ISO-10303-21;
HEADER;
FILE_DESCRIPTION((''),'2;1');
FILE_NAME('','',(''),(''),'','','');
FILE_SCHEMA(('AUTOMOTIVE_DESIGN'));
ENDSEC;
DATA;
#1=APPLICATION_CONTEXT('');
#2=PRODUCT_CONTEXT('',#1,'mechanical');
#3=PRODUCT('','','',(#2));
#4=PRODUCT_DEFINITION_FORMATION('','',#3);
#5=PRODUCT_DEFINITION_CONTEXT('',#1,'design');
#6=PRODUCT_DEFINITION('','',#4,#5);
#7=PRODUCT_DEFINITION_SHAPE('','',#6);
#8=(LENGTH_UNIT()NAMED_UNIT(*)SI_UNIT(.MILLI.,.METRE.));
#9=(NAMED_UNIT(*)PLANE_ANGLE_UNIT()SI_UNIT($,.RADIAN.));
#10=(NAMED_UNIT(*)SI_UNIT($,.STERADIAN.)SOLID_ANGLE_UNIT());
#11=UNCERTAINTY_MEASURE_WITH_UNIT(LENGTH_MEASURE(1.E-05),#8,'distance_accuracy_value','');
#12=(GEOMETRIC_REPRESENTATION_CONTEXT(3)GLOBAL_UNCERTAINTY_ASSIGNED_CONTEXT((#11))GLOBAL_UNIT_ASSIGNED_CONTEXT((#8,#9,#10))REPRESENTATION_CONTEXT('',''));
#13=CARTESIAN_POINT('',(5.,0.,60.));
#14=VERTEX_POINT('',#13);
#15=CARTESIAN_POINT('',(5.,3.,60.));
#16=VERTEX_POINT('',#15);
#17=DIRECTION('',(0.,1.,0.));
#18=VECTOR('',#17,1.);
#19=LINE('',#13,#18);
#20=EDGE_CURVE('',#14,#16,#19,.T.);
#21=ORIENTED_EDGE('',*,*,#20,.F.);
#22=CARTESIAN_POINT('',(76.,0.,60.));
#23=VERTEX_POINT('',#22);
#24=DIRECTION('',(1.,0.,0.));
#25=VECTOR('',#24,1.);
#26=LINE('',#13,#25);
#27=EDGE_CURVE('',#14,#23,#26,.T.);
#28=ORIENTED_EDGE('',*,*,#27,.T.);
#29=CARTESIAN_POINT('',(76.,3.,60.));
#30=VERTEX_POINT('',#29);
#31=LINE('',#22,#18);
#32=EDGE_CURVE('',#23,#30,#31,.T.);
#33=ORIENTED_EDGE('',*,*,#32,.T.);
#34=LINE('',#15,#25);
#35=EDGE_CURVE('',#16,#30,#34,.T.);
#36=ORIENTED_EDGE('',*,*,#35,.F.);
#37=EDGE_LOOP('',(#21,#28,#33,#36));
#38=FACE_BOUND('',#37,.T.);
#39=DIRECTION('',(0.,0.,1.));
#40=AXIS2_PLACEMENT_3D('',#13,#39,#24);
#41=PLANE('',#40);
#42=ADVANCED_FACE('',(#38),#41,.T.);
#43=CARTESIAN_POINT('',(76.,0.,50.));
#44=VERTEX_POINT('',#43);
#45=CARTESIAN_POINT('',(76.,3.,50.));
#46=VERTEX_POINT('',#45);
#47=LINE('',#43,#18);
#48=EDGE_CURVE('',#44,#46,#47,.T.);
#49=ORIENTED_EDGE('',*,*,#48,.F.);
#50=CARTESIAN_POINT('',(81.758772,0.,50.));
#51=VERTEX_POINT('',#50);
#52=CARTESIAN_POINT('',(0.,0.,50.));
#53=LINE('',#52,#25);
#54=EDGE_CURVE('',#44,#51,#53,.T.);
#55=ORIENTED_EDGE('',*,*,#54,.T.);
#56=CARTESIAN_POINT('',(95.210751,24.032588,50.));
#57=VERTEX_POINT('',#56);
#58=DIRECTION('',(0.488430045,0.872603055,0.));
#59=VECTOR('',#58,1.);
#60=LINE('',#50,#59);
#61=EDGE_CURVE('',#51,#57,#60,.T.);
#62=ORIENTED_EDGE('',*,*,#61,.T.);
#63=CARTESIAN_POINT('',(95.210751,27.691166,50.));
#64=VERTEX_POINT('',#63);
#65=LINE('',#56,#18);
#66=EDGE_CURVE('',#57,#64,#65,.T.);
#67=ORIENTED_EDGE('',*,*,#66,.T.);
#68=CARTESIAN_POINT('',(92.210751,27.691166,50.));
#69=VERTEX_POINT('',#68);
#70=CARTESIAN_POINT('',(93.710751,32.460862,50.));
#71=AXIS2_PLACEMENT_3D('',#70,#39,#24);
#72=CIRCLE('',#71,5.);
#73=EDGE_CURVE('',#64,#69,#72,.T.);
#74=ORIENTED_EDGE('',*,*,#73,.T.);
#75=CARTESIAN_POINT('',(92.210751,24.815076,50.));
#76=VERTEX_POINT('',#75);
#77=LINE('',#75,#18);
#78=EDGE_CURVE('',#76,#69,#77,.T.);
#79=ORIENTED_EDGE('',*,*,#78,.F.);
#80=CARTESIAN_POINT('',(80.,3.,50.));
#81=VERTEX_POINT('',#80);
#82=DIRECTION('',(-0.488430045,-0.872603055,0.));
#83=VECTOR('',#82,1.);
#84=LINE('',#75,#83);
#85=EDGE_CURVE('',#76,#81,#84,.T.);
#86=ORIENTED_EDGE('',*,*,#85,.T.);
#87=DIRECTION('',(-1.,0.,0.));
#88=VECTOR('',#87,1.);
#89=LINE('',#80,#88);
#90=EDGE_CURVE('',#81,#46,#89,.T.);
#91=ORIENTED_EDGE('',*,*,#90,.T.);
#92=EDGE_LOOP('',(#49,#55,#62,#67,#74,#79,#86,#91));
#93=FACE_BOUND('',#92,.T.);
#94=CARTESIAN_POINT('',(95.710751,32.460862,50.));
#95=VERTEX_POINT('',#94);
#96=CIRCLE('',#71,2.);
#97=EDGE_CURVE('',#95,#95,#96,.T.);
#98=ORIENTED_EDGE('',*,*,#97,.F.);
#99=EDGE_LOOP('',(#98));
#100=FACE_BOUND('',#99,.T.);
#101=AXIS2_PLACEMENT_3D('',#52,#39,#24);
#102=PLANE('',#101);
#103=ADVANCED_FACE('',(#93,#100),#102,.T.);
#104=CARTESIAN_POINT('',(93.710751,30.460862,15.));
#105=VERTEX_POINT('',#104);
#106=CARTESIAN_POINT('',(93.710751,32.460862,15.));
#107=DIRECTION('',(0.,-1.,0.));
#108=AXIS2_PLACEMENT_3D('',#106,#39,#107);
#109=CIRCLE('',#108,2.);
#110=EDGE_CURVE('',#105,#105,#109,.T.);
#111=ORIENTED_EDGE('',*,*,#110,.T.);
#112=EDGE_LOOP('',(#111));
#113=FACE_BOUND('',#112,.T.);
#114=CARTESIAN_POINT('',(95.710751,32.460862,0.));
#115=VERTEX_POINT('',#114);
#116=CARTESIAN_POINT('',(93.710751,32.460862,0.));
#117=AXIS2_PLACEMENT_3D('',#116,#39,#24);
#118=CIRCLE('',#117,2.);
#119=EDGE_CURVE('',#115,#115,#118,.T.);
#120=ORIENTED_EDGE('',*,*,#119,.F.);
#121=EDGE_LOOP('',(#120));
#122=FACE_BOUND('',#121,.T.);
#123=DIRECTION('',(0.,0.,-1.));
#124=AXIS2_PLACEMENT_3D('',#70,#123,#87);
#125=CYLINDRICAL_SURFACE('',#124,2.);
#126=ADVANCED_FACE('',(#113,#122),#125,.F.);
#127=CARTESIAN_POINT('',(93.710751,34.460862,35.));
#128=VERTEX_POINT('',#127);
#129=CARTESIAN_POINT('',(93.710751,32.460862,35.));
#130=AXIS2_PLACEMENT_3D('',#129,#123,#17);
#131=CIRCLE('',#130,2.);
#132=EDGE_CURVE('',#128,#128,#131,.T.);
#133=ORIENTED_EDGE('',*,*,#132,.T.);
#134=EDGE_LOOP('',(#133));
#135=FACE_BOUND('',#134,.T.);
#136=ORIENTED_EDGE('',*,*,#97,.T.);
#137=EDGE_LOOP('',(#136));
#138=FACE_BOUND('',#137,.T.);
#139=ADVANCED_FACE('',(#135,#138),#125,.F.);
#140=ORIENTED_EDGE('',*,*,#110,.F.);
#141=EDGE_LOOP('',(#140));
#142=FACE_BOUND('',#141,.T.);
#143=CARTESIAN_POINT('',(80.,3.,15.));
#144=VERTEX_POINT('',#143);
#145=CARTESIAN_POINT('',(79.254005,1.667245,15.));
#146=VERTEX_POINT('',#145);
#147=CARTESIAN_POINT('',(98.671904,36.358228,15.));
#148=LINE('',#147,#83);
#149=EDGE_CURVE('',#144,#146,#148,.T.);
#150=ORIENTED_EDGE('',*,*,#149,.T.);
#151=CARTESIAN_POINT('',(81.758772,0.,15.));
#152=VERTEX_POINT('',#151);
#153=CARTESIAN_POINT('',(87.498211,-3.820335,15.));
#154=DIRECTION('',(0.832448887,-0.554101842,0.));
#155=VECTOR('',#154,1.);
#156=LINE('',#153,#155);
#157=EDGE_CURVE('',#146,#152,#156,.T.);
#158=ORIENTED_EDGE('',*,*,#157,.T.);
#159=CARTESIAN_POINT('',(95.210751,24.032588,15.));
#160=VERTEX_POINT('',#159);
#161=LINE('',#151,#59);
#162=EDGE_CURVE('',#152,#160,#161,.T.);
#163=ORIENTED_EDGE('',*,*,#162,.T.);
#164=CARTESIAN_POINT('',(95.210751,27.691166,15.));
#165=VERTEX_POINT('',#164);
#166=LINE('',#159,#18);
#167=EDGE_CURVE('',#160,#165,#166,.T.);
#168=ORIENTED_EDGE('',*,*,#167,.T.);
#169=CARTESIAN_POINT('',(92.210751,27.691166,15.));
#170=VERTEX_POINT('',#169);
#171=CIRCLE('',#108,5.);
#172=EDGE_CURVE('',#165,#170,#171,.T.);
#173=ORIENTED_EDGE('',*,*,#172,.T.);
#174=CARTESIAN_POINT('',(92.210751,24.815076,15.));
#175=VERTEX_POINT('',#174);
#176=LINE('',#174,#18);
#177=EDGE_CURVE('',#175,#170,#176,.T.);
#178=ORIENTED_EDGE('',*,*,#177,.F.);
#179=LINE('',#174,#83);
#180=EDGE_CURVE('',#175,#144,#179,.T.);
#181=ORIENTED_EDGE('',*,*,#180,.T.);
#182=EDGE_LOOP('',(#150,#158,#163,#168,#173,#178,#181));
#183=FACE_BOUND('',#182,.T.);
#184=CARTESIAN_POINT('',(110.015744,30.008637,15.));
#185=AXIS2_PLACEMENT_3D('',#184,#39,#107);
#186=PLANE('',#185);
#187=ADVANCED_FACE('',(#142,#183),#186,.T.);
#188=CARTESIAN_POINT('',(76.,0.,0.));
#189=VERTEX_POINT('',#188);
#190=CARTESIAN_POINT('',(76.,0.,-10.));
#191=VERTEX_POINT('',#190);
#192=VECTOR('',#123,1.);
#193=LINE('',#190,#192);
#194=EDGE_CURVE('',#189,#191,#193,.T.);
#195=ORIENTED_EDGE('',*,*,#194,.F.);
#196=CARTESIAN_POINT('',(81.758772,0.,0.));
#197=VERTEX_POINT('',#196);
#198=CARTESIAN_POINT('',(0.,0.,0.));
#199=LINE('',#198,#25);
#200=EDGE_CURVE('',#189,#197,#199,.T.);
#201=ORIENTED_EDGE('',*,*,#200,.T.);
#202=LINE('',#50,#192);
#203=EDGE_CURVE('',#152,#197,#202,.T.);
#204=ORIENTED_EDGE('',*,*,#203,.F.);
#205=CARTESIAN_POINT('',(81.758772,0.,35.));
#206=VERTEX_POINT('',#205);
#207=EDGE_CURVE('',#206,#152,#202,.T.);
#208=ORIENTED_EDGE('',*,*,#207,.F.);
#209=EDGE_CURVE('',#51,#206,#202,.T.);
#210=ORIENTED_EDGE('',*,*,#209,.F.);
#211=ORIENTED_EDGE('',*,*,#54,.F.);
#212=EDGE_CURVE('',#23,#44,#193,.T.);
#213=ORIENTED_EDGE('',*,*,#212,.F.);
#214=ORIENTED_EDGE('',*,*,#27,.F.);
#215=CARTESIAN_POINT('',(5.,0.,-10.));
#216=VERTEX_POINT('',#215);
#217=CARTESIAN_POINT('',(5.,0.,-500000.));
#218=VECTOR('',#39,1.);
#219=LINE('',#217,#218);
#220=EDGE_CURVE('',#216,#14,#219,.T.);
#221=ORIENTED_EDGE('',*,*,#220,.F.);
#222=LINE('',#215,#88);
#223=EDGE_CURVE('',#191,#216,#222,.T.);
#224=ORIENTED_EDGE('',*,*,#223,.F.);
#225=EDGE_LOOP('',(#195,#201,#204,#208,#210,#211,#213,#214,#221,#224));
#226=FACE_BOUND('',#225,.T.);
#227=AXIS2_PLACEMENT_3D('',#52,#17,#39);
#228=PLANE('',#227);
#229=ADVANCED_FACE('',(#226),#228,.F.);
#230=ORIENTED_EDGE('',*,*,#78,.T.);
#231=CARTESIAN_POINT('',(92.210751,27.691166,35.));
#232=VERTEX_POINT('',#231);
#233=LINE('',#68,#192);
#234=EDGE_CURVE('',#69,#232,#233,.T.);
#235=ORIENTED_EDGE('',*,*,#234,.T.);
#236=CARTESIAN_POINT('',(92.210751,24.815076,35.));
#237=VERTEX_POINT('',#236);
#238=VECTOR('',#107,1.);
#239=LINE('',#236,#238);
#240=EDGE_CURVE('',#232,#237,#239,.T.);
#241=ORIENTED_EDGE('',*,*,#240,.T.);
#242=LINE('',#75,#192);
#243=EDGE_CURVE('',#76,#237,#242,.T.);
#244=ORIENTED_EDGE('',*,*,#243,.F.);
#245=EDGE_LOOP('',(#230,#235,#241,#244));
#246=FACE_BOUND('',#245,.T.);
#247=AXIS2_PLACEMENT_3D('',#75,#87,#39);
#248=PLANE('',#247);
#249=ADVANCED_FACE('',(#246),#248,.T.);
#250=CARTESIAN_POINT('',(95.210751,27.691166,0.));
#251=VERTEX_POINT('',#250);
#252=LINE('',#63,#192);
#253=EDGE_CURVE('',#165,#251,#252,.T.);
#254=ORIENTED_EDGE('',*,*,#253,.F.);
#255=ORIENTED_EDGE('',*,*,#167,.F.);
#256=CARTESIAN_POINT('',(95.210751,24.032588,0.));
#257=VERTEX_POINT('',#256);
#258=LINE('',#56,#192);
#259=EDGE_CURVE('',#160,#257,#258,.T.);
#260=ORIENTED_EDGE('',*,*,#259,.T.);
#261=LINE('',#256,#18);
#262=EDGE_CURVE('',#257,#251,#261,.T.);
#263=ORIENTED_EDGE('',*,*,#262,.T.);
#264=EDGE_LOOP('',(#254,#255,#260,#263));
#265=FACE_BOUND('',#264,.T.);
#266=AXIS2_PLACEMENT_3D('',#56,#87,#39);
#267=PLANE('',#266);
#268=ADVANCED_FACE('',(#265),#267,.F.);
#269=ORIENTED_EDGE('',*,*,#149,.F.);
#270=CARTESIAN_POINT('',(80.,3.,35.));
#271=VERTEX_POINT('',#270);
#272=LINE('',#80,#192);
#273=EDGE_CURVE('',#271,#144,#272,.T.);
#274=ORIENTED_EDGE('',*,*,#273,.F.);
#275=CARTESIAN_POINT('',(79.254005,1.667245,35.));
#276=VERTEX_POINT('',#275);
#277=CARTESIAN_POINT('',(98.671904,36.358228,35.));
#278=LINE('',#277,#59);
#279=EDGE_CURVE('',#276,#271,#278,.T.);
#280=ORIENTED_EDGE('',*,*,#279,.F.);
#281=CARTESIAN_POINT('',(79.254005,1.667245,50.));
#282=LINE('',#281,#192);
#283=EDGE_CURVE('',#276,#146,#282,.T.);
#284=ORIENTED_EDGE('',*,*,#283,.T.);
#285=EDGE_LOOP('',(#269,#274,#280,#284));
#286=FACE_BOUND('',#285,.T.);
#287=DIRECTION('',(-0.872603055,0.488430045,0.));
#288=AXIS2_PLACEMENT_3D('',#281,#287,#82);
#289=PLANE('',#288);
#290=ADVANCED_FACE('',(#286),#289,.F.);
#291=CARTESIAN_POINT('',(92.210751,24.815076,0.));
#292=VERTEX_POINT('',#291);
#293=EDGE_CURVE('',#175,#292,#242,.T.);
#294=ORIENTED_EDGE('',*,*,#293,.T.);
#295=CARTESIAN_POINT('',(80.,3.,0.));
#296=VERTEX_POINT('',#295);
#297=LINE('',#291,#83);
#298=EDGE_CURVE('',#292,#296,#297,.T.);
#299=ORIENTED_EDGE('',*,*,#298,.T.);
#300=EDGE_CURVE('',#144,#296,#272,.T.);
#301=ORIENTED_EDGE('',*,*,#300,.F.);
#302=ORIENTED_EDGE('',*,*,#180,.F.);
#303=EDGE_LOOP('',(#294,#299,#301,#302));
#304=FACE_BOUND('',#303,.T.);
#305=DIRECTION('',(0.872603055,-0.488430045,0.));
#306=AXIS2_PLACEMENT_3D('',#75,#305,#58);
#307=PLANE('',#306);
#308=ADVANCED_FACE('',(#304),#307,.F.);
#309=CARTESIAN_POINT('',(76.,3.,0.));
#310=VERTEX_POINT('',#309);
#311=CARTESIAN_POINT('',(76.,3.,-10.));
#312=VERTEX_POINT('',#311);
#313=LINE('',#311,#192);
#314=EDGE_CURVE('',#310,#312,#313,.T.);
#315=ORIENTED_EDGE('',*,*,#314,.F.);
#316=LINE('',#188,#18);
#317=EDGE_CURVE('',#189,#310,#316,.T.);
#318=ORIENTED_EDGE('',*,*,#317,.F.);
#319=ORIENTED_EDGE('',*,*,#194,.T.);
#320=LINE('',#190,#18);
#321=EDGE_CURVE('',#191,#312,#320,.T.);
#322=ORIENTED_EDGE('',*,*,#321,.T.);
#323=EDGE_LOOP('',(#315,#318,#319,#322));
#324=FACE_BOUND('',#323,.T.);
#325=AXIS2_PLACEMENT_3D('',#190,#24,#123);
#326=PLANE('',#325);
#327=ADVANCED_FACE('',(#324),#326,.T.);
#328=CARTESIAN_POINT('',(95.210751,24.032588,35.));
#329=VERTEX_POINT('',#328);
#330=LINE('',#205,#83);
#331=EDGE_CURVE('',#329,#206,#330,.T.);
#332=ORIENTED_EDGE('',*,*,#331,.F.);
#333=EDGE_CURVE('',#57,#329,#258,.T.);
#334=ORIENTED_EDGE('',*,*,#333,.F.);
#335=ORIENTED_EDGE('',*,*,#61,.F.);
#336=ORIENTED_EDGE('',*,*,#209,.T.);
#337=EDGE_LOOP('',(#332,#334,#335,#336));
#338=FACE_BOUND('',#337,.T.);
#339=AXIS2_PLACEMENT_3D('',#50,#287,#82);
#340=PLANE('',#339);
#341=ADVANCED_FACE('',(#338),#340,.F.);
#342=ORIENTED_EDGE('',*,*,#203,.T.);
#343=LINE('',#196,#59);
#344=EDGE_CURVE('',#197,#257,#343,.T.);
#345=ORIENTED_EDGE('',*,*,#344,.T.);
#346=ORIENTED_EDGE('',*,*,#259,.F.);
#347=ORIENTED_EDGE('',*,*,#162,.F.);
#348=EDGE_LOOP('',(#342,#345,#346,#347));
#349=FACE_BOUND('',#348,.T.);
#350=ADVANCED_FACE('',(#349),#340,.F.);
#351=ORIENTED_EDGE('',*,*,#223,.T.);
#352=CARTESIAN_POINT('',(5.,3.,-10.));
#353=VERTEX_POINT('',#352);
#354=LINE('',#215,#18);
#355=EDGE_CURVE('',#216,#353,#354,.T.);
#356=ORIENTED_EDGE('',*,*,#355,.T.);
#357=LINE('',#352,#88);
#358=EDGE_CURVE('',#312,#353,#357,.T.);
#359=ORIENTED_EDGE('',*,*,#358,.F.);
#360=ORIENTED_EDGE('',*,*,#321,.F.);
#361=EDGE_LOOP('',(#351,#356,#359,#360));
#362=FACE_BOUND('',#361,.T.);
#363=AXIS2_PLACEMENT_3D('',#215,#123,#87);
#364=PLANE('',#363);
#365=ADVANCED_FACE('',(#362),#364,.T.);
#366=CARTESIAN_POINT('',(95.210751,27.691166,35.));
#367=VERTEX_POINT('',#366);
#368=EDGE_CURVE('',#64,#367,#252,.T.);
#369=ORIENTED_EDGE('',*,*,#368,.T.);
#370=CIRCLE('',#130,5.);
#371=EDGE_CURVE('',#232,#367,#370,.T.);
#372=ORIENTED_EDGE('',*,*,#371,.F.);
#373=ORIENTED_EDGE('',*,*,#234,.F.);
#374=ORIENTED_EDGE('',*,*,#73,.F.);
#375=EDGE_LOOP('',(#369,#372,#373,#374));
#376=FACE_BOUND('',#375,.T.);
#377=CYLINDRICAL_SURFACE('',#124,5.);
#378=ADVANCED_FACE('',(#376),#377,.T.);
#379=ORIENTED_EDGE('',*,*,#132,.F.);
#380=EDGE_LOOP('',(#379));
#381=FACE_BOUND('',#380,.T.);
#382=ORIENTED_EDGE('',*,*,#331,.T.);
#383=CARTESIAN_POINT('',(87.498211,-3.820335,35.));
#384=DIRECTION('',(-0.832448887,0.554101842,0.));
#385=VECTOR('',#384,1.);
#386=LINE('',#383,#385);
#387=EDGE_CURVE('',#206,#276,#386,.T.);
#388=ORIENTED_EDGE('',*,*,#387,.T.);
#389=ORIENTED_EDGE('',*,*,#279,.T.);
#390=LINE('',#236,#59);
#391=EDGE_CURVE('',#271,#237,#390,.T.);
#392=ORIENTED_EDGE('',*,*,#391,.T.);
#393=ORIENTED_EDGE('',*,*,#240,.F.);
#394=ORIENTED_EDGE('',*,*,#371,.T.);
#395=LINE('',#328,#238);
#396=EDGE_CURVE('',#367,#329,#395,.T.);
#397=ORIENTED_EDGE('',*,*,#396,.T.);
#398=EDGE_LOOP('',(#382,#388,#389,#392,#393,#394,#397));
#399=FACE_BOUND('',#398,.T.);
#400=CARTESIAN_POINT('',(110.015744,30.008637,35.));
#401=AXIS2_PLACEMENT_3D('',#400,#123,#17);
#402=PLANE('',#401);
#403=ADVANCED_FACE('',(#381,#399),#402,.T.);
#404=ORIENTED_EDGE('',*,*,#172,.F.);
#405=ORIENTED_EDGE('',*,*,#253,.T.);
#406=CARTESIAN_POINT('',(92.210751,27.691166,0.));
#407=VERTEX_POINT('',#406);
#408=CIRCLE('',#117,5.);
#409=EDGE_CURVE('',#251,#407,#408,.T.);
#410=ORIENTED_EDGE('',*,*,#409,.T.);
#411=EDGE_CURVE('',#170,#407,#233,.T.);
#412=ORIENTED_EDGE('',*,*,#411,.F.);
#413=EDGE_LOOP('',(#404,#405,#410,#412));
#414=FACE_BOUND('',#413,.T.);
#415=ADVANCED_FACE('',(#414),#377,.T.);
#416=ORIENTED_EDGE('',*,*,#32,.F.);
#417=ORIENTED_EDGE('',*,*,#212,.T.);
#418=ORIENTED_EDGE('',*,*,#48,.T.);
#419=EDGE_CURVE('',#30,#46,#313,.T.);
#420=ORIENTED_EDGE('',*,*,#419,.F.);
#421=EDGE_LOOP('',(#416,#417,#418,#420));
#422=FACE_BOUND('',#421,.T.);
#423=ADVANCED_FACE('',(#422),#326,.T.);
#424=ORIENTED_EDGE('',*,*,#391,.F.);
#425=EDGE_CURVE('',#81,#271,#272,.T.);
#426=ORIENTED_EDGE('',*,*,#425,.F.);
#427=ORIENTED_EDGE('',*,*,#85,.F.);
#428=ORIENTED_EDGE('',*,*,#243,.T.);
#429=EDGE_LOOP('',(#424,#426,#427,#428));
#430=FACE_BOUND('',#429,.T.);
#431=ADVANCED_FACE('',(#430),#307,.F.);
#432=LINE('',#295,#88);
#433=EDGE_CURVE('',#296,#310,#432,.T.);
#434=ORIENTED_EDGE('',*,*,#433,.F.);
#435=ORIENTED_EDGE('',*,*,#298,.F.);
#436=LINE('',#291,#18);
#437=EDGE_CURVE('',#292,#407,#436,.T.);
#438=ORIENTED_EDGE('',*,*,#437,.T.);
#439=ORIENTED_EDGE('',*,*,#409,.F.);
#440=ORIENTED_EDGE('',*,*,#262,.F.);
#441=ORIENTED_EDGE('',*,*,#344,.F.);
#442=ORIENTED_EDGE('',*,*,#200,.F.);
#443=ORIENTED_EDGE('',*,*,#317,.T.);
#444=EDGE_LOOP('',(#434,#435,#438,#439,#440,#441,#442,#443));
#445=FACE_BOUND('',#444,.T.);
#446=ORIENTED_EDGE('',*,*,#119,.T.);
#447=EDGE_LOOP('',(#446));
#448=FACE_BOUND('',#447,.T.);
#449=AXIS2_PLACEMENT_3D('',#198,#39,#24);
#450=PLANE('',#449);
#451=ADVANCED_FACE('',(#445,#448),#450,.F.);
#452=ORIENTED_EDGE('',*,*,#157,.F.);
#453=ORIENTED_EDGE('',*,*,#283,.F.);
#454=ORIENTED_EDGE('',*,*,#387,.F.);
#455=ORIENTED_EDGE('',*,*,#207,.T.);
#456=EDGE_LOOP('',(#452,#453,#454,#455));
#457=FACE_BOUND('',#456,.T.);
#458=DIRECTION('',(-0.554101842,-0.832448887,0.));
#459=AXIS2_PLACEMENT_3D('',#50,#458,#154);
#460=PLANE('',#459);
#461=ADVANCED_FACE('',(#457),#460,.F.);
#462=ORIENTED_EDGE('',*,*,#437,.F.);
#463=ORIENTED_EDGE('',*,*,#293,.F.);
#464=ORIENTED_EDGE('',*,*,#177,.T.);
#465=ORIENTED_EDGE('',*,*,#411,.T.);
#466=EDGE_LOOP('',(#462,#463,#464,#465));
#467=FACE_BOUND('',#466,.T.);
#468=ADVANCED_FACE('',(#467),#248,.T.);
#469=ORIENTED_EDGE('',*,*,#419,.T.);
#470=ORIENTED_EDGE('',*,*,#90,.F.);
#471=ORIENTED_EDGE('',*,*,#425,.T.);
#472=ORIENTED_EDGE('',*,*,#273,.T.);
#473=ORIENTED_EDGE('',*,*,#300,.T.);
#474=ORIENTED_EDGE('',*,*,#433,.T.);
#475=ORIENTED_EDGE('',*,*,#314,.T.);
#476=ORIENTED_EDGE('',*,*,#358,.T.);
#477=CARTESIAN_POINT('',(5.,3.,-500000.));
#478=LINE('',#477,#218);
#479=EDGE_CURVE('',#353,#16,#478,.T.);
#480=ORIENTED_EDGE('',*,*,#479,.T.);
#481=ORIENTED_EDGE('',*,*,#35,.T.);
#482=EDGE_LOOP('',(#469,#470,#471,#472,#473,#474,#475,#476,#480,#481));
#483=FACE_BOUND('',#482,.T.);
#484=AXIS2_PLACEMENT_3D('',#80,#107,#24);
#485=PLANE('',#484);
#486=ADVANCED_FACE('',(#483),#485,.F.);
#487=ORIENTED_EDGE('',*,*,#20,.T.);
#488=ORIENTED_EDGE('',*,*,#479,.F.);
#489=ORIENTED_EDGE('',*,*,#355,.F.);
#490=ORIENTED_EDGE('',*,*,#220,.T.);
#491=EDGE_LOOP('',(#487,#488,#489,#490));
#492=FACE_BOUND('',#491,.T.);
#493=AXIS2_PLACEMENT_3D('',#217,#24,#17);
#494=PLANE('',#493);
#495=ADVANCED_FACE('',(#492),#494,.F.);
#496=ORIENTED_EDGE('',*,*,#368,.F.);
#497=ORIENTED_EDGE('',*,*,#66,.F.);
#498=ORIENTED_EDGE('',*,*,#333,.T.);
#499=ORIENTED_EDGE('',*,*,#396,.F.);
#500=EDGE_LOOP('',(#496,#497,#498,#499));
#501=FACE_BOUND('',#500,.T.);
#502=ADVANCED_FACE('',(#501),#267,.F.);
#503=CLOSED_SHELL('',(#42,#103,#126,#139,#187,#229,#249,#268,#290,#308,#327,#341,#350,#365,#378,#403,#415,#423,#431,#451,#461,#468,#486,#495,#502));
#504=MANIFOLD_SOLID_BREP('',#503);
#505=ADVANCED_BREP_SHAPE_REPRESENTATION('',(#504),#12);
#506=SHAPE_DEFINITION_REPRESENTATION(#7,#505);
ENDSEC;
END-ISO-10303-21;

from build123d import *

# Parameters (mm, degrees)
SKETCH1_R               = 5
BOSS_EXTRUDE1_DEPTH     = 50
SKETCH2_R               = 2
CUT_EXTRUDE1_DEPTH      = 51
SKETCH7_W               = 20
SKETCH7_H               = 39.987182744
CUT_EXTRUDE3_DEPTH      = 10
CUT_EXTRUDE3_DEPTH_BACK = 10
BOSS_EXTRUDE2_REACH     = 52
CUT_EXTRUDE4_REACH      = 100.711
SKETCH9_W               = 20
SKETCH9_H               = 10.896319728
CUT_EXTRUDE6_REACH      = 52
SKETCH11_W              = 5
SKETCH11_H              = 3
SKETCH12_W              = 71
SKETCH12_H              = 70
BOSS_EXTRUDE3_DEPTH     = 3


with BuildPart() as part:
    # Sketch1 → Boss-Extrude1 (new body)
    with BuildSketch(Plane.XY):
        with Locations((93.71075113, 32.460861794)):
            Circle(SKETCH1_R)
        Polygon((0, 3), (0, 0), (81.758772051, 0), (95.21075113, 24.032587983), (95.21075113, 29.815076366), (92.21075113, 29.815076366), (92.21075113, 24.815076366), (80, 3), align=None)
    extrude(amount=BOSS_EXTRUDE1_DEPTH)

    # Sketch2 → Cut-Extrude1 (cut, through all)
    with BuildSketch(Plane.XY):
        with Locations((93.71075113, 32.460861794)):
            Circle(SKETCH2_R)
    extrude(amount=CUT_EXTRUDE1_DEPTH, mode=Mode.SUBTRACT)

    # Sketch7 → Cut-Extrude3 (cut, two sides)
    with BuildSketch(Plane(origin=(62.254079791, -34.846042362, 0), x_dir=(0, 0, -1), z_dir=(0.872603055, -0.488430045, 0))) as cut_extrude3_sk:
        with Locations((-25, 59.927032101)):
            Rectangle(SKETCH7_W, SKETCH7_H)
    extrude(amount=CUT_EXTRUDE3_DEPTH, mode=Mode.SUBTRACT)
    extrude(cut_extrude3_sk.sketch, amount=-CUT_EXTRUDE3_DEPTH_BACK, mode=Mode.SUBTRACT)

    # Sketch8 → Boss-Extrude2 (add, up to next)
    with BuildSketch(Plane.XY, mode=Mode.PRIVATE) as boss_extrude2_sk1:
        Polygon((66.951015515, 3), (66.951015515, 0), (81.758772051, 0), (79.25400484, 1.667244856), (80, 3), align=None)
    boss_extrude2_tool1 = extrude(boss_extrude2_sk1.sketch, amount=BOSS_EXTRUDE2_REACH, mode=Mode.PRIVATE) - part.part
    add(boss_extrude2_tool1.solids().sort_by_distance((73.552437, 1.463367, 0))[0])

    # Sketch9 → Cut-Extrude4 (cut, up to next)
    with BuildSketch(Plane(origin=(0, 0, 0), x_dir=(0, 0, -1), z_dir=(1, 0, 0)), mode=Mode.PRIVATE) as cut_extrude4_sk1:
        with Locations((-25, 32.01270193)):
            Rectangle(SKETCH9_W, SKETCH9_H)
    cut_extrude4_tool1 = extrude(cut_extrude4_sk1.sketch, amount=CUT_EXTRUDE4_REACH, mode=Mode.PRIVATE) & part.part
    add(cut_extrude4_tool1.solids().sort_by_distance((0, 32.012702, 25))[0], mode=Mode.SUBTRACT)

    # Sketch11 → Cut-Extrude6 (cut, up to next)
    with BuildSketch(Plane.XY.offset(50), mode=Mode.PRIVATE) as cut_extrude6_sk1:
        with Locations((2.5, 1.5)):
            Rectangle(SKETCH11_W, SKETCH11_H)
    cut_extrude6_tool1 = extrude(cut_extrude6_sk1.sketch, amount=-CUT_EXTRUDE6_REACH, mode=Mode.PRIVATE) & part.part
    add(cut_extrude6_tool1.solids().sort_by_distance((2.5, 1.5, 50))[0], mode=Mode.SUBTRACT)

    # Sketch12 → Boss-Extrude3 (add, through all)
    with BuildSketch(Plane(origin=(0, 3, 0), x_dir=(1, 0, 0), z_dir=(0, 1, 0))):
        with Locations((40.5, -25)):
            Rectangle(SKETCH12_W, SKETCH12_H)
    extrude(amount=-BOSS_EXTRUDE3_DEPTH)


solid = part.part
